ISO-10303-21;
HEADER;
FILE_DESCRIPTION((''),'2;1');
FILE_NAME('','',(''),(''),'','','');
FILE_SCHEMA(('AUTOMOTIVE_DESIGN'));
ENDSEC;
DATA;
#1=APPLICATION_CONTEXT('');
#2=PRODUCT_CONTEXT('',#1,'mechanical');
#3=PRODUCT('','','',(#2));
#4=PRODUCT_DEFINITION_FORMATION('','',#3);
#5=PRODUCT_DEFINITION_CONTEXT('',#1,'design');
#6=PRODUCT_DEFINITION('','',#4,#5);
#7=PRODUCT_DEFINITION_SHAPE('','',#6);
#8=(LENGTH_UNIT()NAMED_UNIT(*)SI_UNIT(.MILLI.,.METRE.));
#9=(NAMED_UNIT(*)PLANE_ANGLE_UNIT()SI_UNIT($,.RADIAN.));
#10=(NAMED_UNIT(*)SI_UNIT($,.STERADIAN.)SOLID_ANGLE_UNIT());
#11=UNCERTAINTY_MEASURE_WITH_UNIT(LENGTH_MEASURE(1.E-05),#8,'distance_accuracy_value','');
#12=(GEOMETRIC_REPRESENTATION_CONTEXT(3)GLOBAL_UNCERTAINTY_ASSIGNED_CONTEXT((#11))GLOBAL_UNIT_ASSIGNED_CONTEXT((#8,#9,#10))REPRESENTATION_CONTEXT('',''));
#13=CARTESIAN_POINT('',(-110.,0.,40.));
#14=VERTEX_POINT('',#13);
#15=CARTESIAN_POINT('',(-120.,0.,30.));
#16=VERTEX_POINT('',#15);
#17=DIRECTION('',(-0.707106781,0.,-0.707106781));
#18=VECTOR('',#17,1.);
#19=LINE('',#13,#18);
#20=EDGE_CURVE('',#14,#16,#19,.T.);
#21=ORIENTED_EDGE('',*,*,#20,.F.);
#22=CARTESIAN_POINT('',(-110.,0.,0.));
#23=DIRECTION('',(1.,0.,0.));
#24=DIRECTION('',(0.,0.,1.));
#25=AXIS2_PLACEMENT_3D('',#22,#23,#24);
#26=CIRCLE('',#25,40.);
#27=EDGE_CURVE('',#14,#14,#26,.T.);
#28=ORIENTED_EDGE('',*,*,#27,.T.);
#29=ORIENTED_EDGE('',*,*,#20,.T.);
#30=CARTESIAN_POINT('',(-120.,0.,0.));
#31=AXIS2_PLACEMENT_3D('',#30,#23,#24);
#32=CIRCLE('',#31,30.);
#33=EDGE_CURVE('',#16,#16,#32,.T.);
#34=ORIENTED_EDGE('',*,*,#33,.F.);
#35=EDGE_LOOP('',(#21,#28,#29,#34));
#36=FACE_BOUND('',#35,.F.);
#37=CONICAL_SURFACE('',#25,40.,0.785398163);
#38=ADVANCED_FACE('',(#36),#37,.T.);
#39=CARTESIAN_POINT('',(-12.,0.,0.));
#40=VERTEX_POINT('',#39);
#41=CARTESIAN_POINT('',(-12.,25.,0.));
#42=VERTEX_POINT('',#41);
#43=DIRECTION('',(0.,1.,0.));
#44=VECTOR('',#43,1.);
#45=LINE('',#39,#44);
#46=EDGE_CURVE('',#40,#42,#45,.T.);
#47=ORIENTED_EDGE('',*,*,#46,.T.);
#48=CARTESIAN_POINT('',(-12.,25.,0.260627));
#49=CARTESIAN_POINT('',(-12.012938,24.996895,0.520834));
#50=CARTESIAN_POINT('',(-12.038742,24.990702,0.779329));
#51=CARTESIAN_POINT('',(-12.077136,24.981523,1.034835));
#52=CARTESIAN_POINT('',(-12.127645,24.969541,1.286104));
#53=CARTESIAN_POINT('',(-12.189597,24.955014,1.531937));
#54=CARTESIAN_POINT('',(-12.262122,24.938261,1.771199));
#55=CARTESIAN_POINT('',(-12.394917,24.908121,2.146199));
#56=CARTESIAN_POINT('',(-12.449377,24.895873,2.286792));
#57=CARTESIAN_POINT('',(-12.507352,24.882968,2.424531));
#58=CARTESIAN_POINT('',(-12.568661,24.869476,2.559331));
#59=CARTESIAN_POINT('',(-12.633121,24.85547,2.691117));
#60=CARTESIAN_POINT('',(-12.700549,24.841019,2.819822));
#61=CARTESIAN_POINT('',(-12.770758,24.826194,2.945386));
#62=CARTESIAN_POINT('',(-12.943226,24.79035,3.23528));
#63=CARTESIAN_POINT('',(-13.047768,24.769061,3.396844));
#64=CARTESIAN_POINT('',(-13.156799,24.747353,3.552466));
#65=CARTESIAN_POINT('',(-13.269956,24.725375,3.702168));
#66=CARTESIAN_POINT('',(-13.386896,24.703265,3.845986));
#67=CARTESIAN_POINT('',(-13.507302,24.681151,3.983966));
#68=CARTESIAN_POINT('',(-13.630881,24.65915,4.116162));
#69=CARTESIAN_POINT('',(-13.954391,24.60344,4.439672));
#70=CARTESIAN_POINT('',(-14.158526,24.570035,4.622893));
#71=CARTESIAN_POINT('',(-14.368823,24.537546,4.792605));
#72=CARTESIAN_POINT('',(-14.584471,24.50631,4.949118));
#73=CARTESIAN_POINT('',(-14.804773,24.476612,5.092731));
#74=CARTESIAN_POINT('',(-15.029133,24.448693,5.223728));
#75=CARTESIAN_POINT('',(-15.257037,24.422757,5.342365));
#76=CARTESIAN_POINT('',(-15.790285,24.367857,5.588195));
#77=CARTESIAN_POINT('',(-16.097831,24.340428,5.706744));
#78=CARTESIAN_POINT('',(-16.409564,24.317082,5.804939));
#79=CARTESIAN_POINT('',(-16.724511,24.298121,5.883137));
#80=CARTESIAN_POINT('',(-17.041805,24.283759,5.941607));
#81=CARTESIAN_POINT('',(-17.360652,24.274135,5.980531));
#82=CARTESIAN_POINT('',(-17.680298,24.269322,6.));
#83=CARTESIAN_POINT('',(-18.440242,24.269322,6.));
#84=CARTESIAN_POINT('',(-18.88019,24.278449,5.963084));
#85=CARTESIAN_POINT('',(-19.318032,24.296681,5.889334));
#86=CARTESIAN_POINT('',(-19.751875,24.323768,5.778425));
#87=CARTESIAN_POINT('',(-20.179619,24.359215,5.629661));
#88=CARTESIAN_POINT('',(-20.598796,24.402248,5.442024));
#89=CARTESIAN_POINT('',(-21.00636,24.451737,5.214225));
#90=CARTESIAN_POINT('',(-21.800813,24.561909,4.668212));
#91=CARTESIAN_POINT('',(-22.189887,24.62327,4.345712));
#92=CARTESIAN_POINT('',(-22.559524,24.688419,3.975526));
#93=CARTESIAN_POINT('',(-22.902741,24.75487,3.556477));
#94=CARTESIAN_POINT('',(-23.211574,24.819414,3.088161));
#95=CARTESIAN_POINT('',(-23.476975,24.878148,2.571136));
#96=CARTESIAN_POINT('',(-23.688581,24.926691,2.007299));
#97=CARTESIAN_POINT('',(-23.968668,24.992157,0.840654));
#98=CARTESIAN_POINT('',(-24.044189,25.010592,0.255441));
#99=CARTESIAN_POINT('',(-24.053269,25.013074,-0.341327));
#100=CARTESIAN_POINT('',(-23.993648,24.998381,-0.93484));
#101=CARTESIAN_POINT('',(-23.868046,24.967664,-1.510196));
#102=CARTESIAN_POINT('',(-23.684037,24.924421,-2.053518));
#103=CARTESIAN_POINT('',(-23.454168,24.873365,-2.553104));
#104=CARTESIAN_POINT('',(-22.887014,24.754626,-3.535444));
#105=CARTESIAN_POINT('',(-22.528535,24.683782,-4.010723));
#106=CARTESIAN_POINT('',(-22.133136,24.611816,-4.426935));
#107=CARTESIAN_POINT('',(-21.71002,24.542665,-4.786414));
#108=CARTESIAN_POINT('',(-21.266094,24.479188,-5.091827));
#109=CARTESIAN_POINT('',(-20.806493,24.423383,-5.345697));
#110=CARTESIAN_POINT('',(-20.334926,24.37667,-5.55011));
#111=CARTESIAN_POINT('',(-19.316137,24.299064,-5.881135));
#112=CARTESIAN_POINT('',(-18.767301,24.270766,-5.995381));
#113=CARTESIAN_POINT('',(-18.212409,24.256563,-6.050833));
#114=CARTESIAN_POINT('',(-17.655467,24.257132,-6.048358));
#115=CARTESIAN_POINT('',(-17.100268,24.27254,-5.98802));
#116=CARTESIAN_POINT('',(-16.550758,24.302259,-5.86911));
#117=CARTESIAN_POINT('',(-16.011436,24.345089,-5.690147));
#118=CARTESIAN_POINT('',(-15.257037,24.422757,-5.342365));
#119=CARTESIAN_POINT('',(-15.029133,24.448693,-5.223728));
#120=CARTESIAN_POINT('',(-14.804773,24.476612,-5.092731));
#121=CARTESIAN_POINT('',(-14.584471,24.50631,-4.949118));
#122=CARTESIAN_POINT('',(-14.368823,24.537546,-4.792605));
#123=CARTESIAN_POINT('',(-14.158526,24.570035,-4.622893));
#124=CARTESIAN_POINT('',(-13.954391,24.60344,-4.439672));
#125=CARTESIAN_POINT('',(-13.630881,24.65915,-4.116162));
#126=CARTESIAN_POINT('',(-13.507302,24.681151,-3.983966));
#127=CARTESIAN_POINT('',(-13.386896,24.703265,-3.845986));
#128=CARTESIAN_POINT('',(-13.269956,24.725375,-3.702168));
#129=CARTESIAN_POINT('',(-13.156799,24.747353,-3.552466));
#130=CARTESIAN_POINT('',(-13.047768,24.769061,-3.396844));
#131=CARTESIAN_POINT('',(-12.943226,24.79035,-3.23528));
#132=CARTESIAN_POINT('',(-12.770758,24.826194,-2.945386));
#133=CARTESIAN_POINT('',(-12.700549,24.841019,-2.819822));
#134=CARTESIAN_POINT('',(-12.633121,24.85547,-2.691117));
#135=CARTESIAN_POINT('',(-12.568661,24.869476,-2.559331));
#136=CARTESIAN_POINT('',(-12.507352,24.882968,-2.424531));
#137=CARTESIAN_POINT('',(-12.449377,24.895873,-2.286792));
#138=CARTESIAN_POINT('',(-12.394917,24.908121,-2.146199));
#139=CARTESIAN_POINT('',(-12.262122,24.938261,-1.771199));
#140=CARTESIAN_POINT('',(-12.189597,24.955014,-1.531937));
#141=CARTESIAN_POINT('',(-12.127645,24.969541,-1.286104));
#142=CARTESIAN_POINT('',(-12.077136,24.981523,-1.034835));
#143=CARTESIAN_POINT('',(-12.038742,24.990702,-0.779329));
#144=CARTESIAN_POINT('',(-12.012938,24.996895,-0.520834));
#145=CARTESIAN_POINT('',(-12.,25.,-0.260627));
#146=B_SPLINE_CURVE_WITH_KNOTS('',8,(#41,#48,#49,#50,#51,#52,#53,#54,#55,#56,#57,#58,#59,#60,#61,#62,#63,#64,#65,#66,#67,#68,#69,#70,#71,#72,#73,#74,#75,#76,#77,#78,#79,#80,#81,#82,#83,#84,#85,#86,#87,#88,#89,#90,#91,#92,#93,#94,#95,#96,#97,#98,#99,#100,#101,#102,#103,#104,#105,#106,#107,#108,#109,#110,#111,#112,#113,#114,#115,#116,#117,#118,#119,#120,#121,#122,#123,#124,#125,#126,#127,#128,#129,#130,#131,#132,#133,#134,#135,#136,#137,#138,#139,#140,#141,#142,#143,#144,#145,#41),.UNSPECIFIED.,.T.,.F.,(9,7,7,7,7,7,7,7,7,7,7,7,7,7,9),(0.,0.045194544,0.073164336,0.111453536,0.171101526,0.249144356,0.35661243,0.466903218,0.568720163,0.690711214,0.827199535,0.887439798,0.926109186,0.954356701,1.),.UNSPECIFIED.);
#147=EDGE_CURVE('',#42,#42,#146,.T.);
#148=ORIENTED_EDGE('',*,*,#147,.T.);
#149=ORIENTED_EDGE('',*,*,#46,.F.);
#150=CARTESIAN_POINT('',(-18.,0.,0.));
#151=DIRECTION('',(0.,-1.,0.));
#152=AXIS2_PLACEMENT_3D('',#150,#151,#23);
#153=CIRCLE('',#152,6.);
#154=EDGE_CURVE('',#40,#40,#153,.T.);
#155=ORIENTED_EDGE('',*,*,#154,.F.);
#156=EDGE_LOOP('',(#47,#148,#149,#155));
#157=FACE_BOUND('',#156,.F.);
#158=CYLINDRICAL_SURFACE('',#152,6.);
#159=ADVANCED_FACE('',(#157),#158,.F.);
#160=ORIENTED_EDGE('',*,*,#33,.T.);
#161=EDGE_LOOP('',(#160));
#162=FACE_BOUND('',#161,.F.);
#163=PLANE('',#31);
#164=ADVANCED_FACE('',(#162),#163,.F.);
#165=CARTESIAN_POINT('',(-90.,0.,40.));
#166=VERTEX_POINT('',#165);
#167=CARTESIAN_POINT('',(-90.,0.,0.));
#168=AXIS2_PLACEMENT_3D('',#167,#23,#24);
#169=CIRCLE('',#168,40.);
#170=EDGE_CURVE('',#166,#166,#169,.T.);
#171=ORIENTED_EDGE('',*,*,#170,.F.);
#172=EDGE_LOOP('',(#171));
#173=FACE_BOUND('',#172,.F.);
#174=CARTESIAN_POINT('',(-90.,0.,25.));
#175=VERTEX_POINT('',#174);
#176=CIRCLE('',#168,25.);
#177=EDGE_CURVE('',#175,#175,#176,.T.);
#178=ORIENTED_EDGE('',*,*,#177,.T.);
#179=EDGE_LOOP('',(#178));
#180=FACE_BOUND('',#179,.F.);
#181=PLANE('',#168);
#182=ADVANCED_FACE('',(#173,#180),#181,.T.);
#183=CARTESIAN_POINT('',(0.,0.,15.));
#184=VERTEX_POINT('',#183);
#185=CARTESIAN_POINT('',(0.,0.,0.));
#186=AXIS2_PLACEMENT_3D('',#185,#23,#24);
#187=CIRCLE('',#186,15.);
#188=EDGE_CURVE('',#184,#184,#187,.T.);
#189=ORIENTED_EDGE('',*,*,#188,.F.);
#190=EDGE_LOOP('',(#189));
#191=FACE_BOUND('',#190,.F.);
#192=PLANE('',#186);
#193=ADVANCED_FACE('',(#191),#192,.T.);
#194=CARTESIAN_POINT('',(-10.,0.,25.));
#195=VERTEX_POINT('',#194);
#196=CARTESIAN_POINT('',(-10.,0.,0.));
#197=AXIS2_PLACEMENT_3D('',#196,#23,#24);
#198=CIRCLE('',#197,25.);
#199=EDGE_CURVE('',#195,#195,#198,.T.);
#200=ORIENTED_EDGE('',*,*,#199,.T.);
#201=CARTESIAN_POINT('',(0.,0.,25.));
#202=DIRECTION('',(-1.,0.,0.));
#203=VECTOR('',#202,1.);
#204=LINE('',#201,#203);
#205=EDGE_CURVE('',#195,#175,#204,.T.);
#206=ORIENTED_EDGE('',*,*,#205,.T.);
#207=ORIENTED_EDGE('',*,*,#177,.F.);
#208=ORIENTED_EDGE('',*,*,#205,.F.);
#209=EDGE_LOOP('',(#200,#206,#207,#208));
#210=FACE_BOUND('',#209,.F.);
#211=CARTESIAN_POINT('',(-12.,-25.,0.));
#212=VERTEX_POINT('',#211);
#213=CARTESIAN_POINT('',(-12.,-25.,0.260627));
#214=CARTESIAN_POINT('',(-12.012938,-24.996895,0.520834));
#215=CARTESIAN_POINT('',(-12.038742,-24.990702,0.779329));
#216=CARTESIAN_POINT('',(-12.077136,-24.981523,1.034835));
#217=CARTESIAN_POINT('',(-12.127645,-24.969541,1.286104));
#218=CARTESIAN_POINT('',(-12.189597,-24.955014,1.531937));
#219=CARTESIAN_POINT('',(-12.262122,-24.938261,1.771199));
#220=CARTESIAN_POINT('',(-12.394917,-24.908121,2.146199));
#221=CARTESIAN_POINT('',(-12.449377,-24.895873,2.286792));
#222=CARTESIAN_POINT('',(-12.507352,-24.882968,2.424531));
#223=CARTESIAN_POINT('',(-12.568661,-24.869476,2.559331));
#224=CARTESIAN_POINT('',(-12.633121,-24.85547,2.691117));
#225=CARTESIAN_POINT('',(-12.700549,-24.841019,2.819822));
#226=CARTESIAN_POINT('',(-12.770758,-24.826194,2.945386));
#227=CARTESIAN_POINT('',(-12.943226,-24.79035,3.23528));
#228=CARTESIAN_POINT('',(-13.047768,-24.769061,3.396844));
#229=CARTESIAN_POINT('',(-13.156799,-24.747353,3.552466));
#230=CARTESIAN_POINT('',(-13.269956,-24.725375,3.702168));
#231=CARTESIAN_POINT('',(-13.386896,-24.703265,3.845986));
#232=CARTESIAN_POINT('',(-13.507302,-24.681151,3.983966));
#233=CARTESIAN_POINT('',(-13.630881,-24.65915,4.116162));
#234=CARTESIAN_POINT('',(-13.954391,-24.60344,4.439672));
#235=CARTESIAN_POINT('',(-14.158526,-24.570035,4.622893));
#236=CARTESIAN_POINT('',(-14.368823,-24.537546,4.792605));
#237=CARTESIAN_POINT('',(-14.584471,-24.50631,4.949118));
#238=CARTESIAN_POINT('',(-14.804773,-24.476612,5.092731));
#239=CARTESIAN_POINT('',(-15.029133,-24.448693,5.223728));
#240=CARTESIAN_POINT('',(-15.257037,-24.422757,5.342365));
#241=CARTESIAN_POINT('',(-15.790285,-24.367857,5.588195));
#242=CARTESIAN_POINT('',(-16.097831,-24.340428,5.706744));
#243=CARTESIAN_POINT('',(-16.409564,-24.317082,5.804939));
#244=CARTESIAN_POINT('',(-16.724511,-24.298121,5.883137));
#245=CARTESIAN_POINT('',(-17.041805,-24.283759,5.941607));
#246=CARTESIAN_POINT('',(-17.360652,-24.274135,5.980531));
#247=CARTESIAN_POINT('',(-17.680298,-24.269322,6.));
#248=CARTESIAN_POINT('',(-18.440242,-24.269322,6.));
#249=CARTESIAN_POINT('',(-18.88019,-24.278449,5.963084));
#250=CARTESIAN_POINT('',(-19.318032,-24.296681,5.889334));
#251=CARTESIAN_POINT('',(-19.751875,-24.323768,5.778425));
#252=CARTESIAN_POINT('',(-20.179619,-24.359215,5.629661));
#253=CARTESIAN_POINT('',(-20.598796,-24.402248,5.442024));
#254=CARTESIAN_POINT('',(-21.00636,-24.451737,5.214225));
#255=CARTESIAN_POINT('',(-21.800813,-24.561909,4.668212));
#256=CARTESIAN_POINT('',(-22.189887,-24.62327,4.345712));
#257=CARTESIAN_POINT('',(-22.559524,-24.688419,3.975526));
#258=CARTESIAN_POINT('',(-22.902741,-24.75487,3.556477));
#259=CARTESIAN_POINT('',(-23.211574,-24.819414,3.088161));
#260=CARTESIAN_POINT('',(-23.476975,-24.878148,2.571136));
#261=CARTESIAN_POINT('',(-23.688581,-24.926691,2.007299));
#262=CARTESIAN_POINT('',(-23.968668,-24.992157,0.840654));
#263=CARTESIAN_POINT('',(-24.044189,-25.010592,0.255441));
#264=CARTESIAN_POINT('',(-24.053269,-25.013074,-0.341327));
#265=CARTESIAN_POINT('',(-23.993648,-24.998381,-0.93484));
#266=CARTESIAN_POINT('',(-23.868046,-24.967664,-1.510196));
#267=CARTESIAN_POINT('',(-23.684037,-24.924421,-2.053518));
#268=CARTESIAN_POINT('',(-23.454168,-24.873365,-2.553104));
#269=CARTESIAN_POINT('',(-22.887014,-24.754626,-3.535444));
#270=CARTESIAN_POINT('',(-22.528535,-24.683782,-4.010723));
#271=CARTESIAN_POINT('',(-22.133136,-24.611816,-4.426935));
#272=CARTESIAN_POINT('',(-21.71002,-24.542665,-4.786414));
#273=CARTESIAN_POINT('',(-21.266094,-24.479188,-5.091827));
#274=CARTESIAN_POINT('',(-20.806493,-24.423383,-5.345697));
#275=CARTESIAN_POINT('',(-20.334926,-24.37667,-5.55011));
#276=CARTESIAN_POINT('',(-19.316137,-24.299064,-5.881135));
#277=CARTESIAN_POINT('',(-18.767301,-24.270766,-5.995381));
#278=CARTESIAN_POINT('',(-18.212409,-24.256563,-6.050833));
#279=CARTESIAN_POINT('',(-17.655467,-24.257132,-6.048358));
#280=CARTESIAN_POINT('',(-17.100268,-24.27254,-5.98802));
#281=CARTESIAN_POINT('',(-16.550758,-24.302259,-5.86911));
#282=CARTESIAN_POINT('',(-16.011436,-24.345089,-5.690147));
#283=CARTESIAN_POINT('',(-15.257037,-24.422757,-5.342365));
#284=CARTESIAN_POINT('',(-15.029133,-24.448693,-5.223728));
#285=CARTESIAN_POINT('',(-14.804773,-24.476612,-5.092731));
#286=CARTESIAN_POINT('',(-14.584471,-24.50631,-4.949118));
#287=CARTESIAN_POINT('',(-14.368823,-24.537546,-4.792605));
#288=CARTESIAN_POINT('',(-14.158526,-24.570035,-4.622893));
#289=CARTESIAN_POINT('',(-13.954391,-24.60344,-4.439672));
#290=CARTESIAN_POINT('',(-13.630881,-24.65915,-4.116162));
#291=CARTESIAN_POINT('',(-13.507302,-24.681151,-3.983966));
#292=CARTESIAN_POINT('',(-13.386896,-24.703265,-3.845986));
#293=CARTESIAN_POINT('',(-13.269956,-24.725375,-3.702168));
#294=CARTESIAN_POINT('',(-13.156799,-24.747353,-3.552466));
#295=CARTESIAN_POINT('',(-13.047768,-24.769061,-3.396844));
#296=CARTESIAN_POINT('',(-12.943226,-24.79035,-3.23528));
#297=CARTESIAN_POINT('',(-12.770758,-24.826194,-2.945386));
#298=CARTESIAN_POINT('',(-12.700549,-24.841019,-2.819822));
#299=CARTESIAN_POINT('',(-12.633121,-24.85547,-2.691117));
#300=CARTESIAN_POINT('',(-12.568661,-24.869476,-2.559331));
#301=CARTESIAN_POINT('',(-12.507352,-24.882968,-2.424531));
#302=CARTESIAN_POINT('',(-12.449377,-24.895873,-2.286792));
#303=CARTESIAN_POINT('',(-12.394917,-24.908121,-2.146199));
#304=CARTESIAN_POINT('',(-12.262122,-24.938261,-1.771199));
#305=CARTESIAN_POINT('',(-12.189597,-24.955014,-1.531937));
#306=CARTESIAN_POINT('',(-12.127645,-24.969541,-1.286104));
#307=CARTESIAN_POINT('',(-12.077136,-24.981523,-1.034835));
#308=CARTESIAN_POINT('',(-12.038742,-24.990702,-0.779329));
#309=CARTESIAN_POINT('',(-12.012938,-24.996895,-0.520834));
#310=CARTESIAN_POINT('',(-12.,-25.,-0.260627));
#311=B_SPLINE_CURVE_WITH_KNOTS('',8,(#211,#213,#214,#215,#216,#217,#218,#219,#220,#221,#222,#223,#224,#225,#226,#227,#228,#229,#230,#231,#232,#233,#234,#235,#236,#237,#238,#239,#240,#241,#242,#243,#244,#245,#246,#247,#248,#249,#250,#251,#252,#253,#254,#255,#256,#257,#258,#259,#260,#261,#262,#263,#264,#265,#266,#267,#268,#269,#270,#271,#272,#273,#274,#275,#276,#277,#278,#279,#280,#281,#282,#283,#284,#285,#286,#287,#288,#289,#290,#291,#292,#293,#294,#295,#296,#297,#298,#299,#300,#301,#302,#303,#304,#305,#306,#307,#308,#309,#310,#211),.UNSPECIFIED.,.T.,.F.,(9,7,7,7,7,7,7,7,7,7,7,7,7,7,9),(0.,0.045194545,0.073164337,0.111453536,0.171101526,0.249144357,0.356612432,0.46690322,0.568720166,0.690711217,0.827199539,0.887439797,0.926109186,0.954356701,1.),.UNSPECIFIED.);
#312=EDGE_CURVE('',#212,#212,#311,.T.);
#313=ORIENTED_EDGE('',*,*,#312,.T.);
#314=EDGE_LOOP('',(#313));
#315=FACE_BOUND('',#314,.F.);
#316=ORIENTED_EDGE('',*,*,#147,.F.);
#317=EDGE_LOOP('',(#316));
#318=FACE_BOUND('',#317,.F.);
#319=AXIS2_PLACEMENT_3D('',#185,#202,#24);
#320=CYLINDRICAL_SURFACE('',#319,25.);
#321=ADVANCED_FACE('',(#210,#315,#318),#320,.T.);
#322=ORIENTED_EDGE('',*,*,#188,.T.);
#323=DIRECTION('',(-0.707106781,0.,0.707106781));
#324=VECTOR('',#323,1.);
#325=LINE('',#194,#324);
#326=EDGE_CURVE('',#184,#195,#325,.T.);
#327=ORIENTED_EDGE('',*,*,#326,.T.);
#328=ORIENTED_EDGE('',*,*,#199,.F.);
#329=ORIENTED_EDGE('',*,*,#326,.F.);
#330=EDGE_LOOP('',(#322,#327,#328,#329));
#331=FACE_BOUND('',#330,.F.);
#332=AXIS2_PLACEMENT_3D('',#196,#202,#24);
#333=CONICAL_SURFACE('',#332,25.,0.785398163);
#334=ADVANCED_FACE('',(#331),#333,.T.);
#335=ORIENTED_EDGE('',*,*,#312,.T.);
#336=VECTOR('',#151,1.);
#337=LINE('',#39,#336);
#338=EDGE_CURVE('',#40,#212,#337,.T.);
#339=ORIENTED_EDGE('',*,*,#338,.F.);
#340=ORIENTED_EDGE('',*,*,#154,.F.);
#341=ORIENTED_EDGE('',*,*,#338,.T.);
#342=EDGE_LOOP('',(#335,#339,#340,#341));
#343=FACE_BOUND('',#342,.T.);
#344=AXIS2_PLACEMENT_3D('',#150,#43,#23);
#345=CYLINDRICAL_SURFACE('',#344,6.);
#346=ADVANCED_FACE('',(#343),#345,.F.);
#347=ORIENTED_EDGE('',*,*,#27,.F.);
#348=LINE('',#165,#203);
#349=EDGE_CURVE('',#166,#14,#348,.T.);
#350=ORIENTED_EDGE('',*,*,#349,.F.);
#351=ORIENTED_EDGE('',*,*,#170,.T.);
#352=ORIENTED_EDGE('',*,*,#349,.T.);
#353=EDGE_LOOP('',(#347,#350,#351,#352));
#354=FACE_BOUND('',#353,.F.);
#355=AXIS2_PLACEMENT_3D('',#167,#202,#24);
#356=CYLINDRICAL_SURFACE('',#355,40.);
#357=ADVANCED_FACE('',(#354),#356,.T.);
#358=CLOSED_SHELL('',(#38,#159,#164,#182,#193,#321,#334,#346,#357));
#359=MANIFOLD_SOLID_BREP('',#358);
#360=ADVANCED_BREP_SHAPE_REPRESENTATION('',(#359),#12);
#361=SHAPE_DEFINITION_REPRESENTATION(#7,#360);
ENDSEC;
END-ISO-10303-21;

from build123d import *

# Parameters (mm, degrees)
F2_SIZE2      = 10
F2_SIZE       = 10
F3_R          = 6
F4_DEPTH      = 40.001
F4_DEPTH_BACK = 40.001


with BuildPart() as f1:
    # F0 (on Front) → F1 (revolve)
    with BuildSketch(Plane.XZ):
        Polygon((-120, 0), (0, 0), (0, 25), (-90, 25), (-90, 40), (-120, 40), align=None)
    revolve(axis=Axis((-60, 0, 0), (1, 0, 0)))

    # F2
    f2_edges = [f1.edges().sort_by_distance(p)[0] for p in [
        (-120, 0, -40),
        (0, 0, -25),
    ]]
    chamfer(f2_edges, length=F2_SIZE, length2=F2_SIZE2)

    # F3 (on Front) → F4 (cut, two sides)
    with BuildSketch(Plane.XZ) as f4_sk:
        with Locations((-18, 0)):
            Circle(F3_R)
    extrude(amount=-F4_DEPTH, mode=Mode.SUBTRACT)
    extrude(f4_sk.sketch, amount=F4_DEPTH_BACK, mode=Mode.SUBTRACT)


solid = f1.part
